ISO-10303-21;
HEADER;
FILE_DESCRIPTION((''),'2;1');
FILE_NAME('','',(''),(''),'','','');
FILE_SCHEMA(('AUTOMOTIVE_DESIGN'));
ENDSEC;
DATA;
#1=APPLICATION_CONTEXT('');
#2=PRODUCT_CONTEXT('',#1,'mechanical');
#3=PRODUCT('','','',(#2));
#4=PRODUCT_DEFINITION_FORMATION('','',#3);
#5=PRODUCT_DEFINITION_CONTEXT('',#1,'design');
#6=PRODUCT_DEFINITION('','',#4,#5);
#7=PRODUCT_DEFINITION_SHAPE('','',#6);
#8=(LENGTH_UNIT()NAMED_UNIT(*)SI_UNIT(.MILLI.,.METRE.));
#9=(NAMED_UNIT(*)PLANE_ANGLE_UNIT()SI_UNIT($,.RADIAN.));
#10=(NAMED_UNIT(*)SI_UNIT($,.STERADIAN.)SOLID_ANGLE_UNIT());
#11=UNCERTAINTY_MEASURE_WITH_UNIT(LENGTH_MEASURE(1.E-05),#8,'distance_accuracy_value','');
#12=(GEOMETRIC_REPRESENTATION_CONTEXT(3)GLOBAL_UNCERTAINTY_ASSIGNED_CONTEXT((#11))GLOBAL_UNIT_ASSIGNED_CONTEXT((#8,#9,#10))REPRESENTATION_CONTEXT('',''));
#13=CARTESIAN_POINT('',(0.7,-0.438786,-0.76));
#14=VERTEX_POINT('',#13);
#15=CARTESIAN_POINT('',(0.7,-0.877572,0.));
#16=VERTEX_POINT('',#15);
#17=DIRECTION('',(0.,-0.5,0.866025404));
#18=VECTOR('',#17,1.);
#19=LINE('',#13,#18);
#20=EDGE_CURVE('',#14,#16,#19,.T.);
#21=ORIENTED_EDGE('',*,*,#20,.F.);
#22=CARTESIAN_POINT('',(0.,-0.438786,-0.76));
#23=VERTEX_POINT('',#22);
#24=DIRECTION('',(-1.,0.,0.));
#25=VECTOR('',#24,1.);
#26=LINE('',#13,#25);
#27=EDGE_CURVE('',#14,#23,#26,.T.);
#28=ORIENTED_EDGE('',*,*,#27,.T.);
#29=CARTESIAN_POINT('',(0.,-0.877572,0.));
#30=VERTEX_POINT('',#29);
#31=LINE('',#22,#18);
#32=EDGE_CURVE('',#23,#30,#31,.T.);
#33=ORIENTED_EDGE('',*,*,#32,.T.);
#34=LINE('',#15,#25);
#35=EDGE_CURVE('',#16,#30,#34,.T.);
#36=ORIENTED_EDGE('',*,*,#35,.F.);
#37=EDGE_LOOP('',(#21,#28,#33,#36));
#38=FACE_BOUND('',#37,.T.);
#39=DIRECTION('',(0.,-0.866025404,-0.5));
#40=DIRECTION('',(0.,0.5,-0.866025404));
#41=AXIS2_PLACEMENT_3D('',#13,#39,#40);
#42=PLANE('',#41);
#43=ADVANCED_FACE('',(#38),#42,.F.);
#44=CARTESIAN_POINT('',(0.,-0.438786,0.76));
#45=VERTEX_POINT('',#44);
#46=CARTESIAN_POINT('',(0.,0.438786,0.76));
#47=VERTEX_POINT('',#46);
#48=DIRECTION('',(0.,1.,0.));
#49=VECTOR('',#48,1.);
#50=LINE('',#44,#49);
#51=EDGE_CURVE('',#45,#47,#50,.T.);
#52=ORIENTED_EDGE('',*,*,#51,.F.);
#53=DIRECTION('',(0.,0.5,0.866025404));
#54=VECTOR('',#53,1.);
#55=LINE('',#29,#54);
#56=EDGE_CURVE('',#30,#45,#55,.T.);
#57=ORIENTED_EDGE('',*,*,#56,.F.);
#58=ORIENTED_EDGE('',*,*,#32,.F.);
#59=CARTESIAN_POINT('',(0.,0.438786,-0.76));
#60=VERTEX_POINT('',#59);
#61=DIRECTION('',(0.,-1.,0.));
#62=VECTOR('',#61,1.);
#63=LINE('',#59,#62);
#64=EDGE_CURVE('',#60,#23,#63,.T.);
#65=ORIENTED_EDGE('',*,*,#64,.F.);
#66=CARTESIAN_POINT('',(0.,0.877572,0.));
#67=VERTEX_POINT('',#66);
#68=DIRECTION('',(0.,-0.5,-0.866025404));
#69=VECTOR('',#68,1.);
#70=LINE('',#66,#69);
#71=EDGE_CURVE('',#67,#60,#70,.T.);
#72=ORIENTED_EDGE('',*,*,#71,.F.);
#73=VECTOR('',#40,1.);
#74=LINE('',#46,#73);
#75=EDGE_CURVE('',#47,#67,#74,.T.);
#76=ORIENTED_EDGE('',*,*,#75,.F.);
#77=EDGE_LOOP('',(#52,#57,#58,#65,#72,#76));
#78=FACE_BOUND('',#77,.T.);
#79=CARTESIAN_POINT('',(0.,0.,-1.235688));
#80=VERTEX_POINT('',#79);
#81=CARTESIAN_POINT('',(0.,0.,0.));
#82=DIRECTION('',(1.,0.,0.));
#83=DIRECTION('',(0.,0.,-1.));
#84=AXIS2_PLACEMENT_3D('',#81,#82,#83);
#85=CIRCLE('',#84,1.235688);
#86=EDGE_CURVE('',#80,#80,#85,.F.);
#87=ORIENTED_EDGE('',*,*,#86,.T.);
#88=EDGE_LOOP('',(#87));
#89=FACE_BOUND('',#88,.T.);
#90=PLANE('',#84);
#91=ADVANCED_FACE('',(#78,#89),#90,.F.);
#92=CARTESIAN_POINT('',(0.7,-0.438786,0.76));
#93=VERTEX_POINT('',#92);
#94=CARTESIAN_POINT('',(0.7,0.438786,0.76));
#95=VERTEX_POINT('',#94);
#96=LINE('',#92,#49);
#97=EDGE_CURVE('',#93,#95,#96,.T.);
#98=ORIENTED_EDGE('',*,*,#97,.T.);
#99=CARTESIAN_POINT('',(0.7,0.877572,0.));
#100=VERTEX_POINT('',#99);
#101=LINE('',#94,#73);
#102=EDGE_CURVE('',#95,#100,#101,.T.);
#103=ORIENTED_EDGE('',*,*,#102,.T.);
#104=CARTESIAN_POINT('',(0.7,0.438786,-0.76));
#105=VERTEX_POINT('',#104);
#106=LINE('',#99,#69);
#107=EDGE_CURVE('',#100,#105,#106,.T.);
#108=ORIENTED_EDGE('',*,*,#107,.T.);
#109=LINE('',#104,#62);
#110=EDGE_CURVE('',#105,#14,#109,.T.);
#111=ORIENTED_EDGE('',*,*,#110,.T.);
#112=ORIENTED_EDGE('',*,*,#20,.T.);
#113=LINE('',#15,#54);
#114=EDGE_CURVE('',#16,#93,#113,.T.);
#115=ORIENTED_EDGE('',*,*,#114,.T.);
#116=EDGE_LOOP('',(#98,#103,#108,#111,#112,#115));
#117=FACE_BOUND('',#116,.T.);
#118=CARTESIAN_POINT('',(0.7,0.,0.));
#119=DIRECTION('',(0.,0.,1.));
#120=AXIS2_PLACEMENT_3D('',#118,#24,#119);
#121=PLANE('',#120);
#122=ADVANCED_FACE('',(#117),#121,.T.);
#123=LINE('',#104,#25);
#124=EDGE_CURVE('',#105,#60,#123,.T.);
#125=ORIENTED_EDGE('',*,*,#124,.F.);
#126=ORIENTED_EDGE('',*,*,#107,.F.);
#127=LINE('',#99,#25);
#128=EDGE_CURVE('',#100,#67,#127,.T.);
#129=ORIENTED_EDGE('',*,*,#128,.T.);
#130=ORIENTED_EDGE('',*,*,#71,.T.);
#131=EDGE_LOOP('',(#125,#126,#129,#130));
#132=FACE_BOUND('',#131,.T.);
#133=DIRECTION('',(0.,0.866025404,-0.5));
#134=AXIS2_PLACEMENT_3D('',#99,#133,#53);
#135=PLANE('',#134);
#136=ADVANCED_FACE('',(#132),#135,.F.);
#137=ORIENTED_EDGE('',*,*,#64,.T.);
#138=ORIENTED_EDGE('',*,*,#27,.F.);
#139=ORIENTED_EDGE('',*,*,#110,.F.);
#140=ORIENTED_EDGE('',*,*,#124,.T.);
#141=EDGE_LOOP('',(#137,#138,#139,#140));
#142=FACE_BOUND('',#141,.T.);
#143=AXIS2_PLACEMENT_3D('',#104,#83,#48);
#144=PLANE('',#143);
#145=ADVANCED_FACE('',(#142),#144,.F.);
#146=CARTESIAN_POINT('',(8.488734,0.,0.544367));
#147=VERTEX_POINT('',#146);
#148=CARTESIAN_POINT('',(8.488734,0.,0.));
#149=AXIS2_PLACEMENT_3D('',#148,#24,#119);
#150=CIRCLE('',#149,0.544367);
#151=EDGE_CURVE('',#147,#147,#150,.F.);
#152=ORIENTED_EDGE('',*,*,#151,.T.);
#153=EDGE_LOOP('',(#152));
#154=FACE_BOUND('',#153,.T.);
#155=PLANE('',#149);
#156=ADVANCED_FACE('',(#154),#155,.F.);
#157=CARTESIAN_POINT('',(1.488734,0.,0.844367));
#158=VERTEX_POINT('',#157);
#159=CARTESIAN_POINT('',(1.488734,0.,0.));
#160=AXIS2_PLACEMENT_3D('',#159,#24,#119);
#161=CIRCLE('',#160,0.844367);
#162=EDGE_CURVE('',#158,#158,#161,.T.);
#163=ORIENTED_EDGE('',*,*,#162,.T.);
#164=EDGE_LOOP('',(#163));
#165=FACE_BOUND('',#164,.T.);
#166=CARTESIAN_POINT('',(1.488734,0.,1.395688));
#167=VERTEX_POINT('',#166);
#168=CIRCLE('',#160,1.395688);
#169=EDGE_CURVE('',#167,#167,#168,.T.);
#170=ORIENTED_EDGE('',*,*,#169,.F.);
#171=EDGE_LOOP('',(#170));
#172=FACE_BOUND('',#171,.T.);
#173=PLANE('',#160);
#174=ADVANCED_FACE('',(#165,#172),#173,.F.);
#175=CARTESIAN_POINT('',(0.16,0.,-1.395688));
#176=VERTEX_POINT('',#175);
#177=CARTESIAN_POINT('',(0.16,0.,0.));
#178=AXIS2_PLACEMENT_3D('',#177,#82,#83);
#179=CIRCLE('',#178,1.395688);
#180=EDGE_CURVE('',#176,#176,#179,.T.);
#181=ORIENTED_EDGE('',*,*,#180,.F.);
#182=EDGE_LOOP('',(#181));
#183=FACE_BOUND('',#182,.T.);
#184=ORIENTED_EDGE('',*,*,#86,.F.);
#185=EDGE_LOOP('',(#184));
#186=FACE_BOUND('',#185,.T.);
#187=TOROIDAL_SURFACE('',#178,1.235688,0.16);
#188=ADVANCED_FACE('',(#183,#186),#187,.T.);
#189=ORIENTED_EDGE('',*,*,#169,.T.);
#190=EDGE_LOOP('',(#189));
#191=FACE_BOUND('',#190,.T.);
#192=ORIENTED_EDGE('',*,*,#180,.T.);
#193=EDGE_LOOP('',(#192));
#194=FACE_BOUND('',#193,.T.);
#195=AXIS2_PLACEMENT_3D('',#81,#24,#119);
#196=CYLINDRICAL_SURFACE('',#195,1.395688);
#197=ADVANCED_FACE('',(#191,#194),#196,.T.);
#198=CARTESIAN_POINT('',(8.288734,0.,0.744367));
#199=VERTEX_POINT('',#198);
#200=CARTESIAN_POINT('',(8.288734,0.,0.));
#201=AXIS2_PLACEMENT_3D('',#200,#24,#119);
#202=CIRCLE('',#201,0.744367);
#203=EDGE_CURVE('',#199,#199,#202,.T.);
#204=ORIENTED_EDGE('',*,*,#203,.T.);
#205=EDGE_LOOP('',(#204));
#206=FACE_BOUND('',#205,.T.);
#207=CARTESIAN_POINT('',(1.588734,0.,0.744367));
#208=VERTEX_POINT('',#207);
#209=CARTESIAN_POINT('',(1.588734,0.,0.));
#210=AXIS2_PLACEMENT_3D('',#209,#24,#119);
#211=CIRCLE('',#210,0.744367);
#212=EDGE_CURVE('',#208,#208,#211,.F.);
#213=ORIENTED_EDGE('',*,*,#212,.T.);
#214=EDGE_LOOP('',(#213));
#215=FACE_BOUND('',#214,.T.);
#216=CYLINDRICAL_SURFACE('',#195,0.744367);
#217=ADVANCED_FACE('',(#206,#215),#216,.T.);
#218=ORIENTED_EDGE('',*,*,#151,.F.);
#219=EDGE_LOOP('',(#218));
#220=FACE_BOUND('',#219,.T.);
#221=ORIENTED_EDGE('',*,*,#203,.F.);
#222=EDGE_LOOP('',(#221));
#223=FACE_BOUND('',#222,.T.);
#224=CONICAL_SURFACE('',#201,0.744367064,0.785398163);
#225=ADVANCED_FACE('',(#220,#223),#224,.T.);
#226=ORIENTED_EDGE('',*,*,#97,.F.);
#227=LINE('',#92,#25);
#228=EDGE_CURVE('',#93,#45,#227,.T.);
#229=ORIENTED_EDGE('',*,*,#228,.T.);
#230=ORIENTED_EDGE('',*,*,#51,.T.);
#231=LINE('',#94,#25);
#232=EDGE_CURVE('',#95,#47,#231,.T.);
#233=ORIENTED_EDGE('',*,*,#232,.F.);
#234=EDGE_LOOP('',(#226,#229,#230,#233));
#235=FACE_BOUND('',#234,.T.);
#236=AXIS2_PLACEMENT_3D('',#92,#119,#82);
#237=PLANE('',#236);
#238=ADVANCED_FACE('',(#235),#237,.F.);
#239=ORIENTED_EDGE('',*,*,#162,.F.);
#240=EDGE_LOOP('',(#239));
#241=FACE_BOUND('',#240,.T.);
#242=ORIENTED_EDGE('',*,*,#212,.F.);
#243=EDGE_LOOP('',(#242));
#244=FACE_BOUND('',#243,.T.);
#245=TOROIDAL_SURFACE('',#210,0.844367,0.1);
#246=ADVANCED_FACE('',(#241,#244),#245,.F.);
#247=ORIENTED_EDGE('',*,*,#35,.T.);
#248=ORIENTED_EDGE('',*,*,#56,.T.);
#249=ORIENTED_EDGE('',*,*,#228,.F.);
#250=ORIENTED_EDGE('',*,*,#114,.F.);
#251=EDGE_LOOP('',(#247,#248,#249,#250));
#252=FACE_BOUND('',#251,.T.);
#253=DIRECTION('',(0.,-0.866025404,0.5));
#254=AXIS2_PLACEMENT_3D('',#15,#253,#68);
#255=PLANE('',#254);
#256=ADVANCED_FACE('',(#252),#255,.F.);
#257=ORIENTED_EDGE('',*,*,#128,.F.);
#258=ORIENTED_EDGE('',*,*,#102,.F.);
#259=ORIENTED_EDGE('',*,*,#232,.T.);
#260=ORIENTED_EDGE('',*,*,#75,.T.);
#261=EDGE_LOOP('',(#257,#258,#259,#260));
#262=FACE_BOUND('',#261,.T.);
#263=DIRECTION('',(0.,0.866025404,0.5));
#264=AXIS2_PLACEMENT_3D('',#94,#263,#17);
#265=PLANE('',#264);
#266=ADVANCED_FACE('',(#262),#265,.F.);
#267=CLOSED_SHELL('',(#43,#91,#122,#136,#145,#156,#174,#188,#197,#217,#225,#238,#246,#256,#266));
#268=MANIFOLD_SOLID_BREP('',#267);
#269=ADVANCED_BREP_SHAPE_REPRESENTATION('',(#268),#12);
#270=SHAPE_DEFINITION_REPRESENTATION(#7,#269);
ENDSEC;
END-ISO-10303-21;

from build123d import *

# Parameters (mm, degrees)
FILLET1_R      = 0.1
FILLET2_R      = 0.16
CHAMFER1_SIZE  = 0.2
EXTRUDE1_DEPTH = 0.7


with BuildPart() as part:
    # Sketch1 → Revolve1 (revolve)
    with BuildSketch(Plane.XY, mode=Mode.PRIVATE) as revolve1_sk:
        Polygon((0, 1.395688245), (0, 0), (8.488734128, 0), (8.488734128, 0.744367064), (1.488734128, 0.744367064), (1.488734128, 1.395688245), align=None)
    revolve(revolve1_sk.sketch.rotate(Axis((0, 0, 0), (1, 0, 0)), 90), axis=Axis((0, 0, 0), (1, 0, 0)))

    # Fillet1
    fillet1_edges = [part.edges().sort_by_distance(p)[0] for p in [
        (1.488734128, 0, -0.744367064),
    ]]
    fillet(fillet1_edges, radius=FILLET1_R)

    # Fillet2
    fillet2_edges = [part.edges().sort_by_distance(p)[0] for p in [
        (0, 0, -1.395688245),
    ]]
    fillet(fillet2_edges, radius=FILLET2_R)

    # Chamfer1
    chamfer1_edges = [part.edges().sort_by_distance(p)[0] for p in [
        (8.488734128, 0, -0.744367064),
    ]]
    chamfer(chamfer1_edges, length=CHAMFER1_SIZE)

    # Sketch2 → Extrude1 (cut)
    with BuildSketch(Plane.ZY):
        Polygon((0, 0.877572409), (-0.76, 0.438786205), (-0.76, -0.438786205), (0, -0.877572409), (0.76, -0.438786205), (0.76, 0.438786205), align=None)
    extrude(amount=-EXTRUDE1_DEPTH, mode=Mode.SUBTRACT)


solid = part.part
